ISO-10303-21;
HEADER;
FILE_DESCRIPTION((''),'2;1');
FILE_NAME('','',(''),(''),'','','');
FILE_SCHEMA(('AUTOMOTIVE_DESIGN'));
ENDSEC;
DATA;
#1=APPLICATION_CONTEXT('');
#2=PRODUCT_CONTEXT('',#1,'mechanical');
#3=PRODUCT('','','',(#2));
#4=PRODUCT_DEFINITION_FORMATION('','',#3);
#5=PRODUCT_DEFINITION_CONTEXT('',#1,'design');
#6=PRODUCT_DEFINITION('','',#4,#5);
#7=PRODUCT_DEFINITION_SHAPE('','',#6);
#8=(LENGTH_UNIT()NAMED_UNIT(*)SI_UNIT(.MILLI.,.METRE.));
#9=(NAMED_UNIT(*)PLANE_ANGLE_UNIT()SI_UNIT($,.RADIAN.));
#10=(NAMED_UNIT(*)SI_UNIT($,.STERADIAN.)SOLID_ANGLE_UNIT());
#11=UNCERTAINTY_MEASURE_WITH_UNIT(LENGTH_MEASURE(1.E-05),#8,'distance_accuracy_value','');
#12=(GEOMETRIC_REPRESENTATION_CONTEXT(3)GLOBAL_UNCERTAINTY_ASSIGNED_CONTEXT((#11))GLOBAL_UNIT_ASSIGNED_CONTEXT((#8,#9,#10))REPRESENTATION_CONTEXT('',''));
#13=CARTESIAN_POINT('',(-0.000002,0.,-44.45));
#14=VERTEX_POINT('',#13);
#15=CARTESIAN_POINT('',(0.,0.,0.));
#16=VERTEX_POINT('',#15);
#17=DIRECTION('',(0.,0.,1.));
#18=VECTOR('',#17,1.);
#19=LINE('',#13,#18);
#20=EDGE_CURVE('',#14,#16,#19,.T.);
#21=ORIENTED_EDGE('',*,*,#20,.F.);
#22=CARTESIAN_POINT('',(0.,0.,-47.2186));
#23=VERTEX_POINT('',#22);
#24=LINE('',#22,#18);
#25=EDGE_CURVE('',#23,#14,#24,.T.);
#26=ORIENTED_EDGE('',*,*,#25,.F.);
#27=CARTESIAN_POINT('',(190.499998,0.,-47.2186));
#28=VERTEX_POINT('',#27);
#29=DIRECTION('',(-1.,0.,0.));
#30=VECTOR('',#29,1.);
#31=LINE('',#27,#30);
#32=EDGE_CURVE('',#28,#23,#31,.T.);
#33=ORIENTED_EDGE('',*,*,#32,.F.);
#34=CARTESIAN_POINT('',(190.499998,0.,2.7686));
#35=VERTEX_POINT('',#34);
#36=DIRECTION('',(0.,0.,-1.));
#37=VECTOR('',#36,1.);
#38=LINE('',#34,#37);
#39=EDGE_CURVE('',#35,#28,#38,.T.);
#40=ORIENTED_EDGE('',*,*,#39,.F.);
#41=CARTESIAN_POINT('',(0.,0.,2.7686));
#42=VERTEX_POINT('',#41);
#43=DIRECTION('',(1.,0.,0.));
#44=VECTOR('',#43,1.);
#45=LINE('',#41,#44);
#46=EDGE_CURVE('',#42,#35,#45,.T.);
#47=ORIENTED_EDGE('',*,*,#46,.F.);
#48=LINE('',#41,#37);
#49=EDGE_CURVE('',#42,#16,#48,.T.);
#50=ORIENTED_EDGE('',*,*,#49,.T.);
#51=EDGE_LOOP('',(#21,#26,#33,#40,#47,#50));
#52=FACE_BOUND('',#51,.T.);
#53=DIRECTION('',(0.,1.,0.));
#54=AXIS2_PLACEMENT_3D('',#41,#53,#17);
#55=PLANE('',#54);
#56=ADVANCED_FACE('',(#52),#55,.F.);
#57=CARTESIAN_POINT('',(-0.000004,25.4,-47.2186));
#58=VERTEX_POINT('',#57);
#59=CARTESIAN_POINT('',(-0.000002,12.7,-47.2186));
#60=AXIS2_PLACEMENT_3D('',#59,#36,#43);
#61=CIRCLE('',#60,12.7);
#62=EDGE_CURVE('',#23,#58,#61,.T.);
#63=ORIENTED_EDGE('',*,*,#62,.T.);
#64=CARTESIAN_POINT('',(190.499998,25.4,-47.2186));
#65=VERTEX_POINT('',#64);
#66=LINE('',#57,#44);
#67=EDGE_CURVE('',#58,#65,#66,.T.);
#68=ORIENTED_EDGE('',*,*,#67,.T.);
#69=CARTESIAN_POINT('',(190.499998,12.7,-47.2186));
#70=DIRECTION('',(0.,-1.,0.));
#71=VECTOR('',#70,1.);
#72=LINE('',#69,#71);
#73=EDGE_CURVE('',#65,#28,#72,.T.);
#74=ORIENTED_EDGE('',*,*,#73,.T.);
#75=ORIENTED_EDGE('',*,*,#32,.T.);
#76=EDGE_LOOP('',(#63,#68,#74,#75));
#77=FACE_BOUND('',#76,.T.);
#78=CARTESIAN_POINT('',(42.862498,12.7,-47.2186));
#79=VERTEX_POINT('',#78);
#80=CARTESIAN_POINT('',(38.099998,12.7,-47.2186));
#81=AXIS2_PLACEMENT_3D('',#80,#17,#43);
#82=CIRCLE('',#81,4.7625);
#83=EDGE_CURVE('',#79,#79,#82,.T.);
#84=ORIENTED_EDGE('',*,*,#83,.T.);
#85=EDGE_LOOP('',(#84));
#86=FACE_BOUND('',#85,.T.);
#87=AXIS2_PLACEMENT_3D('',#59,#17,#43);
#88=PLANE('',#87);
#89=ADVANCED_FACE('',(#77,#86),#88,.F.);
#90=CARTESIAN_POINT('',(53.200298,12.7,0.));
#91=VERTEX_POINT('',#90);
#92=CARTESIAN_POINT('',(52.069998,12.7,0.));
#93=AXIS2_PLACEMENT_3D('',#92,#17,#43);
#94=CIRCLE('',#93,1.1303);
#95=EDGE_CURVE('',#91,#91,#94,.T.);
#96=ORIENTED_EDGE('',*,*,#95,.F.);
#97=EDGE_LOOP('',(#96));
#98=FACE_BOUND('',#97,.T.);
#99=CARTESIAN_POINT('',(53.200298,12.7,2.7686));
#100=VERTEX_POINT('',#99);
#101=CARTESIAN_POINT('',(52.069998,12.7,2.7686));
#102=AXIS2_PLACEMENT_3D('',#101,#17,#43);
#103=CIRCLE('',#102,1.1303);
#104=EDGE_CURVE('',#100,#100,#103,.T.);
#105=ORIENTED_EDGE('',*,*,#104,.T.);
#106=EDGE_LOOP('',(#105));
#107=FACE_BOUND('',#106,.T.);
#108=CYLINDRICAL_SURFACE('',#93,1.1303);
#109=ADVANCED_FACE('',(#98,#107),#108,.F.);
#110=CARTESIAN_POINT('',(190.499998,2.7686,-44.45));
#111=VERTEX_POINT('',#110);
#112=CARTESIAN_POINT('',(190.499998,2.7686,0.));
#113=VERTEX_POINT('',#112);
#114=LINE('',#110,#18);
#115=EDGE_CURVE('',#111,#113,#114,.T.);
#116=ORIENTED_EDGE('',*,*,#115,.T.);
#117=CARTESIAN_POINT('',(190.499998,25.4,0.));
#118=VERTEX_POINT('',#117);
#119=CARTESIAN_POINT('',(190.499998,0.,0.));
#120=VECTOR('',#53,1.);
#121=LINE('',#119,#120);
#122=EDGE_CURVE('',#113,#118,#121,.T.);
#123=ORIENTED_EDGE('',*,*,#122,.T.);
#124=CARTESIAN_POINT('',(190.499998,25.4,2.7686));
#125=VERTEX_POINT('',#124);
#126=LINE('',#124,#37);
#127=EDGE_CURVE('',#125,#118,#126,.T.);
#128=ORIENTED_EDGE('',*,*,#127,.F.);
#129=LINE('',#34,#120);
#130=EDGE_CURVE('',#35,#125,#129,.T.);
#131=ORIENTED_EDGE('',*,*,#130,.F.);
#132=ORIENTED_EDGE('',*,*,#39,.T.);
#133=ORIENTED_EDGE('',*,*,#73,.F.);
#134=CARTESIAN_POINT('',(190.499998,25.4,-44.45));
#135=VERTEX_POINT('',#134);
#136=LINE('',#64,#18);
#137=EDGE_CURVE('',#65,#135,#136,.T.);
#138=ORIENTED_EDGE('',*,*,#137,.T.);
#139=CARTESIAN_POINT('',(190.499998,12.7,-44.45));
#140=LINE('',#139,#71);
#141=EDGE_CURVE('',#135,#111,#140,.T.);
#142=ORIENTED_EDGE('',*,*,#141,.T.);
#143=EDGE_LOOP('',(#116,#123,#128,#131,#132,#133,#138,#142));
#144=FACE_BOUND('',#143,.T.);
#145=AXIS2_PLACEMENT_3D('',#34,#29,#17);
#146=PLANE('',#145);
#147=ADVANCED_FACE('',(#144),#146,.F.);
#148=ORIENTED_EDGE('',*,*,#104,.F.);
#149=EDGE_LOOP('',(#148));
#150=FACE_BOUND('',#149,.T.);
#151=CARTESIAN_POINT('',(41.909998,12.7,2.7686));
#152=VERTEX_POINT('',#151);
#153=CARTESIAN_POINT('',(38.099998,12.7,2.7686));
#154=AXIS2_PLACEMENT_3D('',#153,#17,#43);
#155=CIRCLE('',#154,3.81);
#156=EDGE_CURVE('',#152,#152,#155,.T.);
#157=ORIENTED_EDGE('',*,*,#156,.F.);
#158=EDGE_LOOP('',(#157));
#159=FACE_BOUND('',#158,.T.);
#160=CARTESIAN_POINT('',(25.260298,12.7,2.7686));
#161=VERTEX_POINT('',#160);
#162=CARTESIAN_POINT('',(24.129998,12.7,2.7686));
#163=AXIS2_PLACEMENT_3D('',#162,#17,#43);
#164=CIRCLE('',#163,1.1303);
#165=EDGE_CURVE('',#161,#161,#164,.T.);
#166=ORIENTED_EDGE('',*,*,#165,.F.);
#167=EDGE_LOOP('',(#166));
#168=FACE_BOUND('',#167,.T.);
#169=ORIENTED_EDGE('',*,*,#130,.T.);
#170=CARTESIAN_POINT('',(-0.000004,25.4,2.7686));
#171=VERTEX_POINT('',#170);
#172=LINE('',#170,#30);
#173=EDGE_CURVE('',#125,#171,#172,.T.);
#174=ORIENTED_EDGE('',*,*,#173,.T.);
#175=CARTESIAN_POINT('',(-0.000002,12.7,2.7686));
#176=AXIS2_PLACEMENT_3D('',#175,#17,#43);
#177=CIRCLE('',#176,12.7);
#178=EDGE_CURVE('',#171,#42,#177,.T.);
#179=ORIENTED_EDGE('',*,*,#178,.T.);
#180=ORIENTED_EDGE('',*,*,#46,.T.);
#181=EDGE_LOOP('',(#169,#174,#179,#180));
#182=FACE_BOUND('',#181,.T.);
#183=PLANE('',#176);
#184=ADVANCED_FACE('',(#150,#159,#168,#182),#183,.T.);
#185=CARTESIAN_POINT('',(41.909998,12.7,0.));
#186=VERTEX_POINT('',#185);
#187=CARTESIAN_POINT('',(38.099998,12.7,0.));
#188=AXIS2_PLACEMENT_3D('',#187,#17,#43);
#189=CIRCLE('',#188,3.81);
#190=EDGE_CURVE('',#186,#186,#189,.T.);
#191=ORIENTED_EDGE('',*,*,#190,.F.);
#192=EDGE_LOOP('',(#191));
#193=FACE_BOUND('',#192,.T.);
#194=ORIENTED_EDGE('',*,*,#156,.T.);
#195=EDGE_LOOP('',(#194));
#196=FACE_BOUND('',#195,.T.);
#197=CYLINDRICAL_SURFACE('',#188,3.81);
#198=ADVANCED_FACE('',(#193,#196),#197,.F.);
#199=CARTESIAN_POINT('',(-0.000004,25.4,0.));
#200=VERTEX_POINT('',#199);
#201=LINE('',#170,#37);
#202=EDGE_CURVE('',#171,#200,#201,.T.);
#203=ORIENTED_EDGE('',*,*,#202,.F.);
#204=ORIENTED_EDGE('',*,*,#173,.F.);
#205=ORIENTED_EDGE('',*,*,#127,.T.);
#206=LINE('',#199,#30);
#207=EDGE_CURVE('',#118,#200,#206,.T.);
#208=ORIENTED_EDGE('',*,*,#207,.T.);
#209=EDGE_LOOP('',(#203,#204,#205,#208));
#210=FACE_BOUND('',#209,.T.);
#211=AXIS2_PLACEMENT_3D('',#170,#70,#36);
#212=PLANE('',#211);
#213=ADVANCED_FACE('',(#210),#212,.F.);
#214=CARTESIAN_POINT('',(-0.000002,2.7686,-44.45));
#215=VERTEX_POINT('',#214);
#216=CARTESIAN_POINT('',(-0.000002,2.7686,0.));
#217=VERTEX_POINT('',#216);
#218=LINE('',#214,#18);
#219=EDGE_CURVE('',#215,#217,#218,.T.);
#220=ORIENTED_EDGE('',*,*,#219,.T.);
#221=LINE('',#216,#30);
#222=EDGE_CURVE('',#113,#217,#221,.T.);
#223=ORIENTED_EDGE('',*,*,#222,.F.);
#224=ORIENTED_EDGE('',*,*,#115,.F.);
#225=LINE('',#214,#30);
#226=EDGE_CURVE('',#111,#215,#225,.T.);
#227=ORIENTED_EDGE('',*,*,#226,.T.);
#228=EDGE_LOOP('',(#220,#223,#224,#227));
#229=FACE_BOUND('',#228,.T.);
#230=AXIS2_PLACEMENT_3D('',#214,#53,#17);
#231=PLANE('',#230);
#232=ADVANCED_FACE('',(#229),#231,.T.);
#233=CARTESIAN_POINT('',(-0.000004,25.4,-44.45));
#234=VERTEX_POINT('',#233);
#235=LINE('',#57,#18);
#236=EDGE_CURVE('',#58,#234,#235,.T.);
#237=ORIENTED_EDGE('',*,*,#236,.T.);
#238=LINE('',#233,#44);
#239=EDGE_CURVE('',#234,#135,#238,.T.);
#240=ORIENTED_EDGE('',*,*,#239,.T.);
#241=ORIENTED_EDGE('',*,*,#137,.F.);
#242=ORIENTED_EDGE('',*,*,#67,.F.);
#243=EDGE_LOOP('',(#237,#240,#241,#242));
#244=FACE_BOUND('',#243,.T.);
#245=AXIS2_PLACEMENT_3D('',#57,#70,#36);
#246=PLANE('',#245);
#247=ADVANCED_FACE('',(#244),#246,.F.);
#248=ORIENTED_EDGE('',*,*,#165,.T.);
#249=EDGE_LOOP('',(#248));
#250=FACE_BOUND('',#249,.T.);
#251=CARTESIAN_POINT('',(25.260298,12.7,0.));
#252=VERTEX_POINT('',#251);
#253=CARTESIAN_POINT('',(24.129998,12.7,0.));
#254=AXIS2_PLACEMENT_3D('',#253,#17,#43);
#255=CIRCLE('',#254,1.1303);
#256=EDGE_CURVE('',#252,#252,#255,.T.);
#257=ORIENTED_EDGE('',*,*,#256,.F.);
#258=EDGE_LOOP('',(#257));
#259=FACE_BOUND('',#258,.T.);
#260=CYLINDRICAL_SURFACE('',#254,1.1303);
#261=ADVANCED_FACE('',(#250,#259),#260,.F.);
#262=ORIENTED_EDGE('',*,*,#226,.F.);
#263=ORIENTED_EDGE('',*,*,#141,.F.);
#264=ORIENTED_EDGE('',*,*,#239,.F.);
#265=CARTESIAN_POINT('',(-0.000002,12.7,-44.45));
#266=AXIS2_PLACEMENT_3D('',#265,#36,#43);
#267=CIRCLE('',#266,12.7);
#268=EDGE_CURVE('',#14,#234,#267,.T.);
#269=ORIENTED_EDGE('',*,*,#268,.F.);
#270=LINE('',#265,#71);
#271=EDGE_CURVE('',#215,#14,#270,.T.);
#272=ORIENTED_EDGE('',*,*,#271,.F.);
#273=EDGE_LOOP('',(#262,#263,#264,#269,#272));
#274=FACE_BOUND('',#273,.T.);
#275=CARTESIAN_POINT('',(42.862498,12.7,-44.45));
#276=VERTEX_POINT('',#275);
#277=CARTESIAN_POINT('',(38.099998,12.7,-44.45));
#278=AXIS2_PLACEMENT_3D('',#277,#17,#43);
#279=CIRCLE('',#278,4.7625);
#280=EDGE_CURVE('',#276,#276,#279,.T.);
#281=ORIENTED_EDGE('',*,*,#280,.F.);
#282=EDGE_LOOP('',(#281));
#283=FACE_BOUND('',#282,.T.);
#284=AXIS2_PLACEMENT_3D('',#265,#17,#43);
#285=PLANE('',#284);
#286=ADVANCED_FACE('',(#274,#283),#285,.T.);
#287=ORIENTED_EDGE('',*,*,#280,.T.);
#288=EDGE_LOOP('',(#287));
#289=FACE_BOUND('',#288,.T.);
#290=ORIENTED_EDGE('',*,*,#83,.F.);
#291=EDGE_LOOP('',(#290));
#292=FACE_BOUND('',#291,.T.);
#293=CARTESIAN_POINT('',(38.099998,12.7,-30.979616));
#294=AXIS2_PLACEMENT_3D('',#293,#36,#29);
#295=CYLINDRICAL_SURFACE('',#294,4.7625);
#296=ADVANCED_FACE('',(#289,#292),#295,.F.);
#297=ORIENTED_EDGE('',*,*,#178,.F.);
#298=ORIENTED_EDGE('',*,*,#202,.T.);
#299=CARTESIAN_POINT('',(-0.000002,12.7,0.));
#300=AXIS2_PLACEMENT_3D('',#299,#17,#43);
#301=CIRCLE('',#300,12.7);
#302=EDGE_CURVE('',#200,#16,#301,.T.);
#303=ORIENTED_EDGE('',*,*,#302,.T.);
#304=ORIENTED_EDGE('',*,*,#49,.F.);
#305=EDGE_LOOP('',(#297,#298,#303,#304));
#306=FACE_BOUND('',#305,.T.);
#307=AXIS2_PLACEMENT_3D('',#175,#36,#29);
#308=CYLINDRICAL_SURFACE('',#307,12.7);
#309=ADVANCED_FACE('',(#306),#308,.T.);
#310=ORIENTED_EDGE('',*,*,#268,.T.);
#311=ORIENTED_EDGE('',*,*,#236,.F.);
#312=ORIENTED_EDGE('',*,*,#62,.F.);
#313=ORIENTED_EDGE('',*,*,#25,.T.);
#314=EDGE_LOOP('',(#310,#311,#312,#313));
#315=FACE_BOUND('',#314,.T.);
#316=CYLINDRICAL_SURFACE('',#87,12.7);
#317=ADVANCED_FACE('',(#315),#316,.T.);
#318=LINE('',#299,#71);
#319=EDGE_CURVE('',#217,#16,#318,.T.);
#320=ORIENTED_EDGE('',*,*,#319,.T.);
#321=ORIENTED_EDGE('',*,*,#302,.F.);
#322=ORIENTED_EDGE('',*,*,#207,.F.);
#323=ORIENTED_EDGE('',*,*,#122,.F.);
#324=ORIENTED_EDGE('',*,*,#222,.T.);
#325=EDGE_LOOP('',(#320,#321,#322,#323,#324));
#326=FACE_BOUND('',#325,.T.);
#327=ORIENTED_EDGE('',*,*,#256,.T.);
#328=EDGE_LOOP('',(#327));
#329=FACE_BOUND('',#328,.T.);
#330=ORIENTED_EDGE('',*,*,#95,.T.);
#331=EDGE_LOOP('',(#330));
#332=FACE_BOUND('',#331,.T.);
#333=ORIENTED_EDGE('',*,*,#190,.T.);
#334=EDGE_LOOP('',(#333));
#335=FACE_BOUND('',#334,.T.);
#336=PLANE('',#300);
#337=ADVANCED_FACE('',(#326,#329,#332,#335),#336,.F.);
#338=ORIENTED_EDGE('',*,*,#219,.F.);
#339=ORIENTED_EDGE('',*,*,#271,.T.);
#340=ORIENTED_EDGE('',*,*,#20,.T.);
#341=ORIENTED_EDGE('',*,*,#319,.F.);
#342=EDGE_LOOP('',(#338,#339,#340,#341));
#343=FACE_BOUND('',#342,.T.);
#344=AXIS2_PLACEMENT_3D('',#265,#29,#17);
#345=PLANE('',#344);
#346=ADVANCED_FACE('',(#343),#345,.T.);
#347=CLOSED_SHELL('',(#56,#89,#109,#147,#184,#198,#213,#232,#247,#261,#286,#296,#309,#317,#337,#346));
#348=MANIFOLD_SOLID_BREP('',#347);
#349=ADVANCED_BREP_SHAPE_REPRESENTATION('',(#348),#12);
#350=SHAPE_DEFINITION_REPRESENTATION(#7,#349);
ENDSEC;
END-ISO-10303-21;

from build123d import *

# Parameters (mm, degrees)
BOSS_EXTRUDE1_DEPTH = 2.7686
SKETCH3_R           = 3.81
SKETCH3_R_2         = 1.1303
CUT_EXTRUDE1_DEPTH  = 3.7686
BOSS_EXTRUDE2_START = -2.7686
SKETCH5_W           = 190.5
SKETCH5_H           = 2.7686
BOSS_EXTRUDE2_DEPTH = 44.45
BOSS_EXTRUDE3_DEPTH = 2.7686
SKETCH7_R           = 4.7625
CUT_EXTRUDE2_DEPTH  = 2.7686


with BuildPart() as part:
    # Sketch1 → Boss-Extrude1 (new body)
    with BuildSketch(Plane.XY):
        with BuildLine():
            Line((0, 0), (190.499997766, 0))
            Line((190.499997766, 0), (190.499997766, 25.4))
            Line((190.499997766, 25.4), (-4.468e-06, 25.4))
            ThreePointArc((-4.468e-06, 25.4), (-12.700002234, 12.699997766), (0, 0))
        make_face()
    extrude(amount=BOSS_EXTRUDE1_DEPTH)

    # Sketch3 → Cut-Extrude1 (cut, through all)
    with BuildSketch(Plane.XY.offset(2.7686)):
        with Locations((38.099997766, 12.7)):
            Circle(SKETCH3_R)
        with Locations((24.129997766, 12.7)):
            Circle(SKETCH3_R_2)
        with Locations((52.069997766, 12.7)):
            Circle(SKETCH3_R_2)
    extrude(amount=-CUT_EXTRUDE1_DEPTH, mode=Mode.SUBTRACT)

    # Sketch5 → Boss-Extrude2 (add)
    with BuildSketch(Plane.XY.offset(2.7686).offset(BOSS_EXTRUDE2_START)):
        with Locations((95.249997766, 1.3843)):
            Rectangle(SKETCH5_W, SKETCH5_H)
    extrude(amount=-BOSS_EXTRUDE2_DEPTH)

    # Sketch6 → Boss-Extrude3 (add)
    with BuildSketch(Plane(origin=(0, 0, -44.45), x_dir=(-1, 0, 0), z_dir=(0, 0, -1))):
        with BuildLine():
            Line((4.468e-06, 25.4), (-190.499997766, 25.4))
            Line((-190.499997766, 25.4), (-190.499997766, 12.7))
            Line((-190.499997766, 12.7), (-190.499997766, 0))
            Line((-190.499997766, 0), (0, 0))
            ThreePointArc((0, 0), (12.700002234, 12.699997766), (4.468e-06, 25.4))
        make_face()
    extrude(amount=BOSS_EXTRUDE3_DEPTH)

    # Sketch7 → Cut-Extrude2 (cut)
    with BuildSketch(Plane(origin=(0, 0, -47.2186), x_dir=(-1, 0, 0), z_dir=(0, 0, -1))):
        with Locations((-38.099997766, 12.7)):
            Circle(SKETCH7_R)
    extrude(amount=-CUT_EXTRUDE2_DEPTH, mode=Mode.SUBTRACT)


solid = part.part
